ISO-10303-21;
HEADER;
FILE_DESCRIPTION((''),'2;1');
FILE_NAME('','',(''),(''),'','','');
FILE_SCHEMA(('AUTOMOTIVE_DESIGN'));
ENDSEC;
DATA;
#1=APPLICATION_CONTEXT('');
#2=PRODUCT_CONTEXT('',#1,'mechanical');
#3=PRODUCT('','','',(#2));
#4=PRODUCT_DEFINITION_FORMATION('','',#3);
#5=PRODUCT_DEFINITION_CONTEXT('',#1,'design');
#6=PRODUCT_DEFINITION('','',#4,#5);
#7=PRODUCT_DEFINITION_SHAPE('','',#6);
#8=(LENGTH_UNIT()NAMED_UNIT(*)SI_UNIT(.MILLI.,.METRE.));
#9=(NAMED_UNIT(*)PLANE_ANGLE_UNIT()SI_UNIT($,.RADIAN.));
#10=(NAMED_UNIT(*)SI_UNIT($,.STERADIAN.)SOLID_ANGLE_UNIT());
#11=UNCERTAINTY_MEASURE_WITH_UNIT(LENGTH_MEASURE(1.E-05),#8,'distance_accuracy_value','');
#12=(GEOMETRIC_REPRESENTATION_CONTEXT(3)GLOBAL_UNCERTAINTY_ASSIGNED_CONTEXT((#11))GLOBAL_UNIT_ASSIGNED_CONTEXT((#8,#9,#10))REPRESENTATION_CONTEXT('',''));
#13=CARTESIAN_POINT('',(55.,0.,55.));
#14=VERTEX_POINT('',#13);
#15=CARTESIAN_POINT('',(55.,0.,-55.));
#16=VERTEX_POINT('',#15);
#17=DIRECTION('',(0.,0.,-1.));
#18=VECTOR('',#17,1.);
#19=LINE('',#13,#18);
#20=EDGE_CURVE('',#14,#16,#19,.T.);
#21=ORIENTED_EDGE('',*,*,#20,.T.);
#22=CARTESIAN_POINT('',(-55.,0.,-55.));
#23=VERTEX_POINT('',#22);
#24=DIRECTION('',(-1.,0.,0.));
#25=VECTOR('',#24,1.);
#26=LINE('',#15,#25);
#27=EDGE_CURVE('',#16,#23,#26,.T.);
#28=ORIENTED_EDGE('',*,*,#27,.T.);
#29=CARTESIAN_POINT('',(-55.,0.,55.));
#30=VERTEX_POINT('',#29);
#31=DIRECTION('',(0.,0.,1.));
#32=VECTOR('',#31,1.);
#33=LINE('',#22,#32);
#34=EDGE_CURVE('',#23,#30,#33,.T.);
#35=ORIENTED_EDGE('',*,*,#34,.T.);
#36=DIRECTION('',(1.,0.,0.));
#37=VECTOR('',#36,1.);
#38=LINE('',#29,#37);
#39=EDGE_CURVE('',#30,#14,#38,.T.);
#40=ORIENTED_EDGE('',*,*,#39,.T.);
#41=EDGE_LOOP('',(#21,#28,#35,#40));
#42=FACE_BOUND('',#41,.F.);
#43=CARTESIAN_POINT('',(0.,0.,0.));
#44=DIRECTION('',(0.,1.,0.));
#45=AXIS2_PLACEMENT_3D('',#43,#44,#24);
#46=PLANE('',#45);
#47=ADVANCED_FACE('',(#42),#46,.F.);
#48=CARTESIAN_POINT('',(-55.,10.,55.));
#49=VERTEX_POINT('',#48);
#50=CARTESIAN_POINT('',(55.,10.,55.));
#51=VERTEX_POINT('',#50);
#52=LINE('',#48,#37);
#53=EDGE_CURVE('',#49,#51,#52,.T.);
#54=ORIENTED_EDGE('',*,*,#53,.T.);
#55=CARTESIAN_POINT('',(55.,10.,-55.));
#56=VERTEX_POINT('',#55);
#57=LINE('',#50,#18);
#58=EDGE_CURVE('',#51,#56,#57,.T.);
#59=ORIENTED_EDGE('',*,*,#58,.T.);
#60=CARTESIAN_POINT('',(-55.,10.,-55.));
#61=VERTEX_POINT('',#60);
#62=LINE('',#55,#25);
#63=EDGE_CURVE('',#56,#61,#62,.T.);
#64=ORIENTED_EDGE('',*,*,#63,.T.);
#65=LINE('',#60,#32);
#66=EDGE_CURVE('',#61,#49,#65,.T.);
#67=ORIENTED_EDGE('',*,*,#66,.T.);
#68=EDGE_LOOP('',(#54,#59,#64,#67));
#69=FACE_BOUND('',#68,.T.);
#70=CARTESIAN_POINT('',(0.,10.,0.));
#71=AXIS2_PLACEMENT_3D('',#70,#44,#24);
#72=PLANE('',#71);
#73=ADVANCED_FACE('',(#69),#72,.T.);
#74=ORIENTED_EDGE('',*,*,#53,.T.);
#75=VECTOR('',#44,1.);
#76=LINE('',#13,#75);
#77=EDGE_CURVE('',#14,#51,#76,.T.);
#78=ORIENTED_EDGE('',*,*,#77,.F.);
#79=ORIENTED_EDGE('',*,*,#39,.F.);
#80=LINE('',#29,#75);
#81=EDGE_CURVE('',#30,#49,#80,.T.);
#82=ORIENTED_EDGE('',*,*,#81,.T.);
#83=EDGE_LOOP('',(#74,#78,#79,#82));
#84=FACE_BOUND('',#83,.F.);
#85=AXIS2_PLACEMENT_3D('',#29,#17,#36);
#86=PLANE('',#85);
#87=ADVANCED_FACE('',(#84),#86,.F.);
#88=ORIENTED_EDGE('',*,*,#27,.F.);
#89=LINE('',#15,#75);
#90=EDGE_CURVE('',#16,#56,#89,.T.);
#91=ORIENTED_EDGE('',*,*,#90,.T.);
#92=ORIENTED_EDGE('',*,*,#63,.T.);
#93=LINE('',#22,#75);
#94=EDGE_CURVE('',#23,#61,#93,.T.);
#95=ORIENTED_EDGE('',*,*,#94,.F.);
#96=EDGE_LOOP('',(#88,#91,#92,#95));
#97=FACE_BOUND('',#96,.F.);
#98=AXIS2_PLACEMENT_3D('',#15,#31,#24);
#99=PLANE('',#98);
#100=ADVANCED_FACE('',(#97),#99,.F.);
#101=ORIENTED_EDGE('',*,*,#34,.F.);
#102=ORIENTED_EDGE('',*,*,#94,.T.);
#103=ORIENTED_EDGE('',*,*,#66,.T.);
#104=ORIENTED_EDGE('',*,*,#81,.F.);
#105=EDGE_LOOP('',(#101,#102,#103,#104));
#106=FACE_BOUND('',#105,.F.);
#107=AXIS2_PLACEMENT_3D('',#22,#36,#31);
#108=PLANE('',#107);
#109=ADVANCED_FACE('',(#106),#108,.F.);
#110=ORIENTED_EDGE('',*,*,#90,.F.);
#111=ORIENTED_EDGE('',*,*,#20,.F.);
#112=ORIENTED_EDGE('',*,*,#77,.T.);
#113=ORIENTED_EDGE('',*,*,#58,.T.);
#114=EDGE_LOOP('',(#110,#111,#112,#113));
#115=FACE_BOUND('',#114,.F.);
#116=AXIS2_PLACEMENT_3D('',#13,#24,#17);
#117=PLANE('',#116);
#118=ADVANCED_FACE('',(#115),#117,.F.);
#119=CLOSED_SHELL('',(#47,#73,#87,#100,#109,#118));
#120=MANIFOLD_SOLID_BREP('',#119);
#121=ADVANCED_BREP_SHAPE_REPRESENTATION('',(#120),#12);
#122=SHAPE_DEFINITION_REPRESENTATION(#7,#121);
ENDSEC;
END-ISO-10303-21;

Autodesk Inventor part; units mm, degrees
ref_plane "YZ Plane" through (0, 0, 0) normal (1, 0, 0) x (0, 1, 0)
ref_plane "XZ Plane" through (0, 0, 0) normal (0, 1, 0) x (-1, 0, 0)
ref_plane "XY Plane" through (0, 0, 0) normal (0, 0, 1) x (1, 0, 0)
sketch "Sketch1" plane through (0, 0, 0) normal (0, 1, 0) x (-1, 0, 0)
  line L0 (-55, -55) -> (55, -55)
  line L1 (55, -55) -> (55, 55)
  line L2 (55, 55) -> (-55, 55)
  line L3 (-55, 55) -> (-55, -55)
  line L4 (-55, -55) -> (55, 55) construction
  line L5 (55, -55) -> (-55, 55) construction
  point P0 (0, 0)
  dimension "d0" = 110
  dimension "d1" = 110
extrude "Extrusion1" add sketch "Sketch1" along normal blind 10
properties part number "inner_floor"
